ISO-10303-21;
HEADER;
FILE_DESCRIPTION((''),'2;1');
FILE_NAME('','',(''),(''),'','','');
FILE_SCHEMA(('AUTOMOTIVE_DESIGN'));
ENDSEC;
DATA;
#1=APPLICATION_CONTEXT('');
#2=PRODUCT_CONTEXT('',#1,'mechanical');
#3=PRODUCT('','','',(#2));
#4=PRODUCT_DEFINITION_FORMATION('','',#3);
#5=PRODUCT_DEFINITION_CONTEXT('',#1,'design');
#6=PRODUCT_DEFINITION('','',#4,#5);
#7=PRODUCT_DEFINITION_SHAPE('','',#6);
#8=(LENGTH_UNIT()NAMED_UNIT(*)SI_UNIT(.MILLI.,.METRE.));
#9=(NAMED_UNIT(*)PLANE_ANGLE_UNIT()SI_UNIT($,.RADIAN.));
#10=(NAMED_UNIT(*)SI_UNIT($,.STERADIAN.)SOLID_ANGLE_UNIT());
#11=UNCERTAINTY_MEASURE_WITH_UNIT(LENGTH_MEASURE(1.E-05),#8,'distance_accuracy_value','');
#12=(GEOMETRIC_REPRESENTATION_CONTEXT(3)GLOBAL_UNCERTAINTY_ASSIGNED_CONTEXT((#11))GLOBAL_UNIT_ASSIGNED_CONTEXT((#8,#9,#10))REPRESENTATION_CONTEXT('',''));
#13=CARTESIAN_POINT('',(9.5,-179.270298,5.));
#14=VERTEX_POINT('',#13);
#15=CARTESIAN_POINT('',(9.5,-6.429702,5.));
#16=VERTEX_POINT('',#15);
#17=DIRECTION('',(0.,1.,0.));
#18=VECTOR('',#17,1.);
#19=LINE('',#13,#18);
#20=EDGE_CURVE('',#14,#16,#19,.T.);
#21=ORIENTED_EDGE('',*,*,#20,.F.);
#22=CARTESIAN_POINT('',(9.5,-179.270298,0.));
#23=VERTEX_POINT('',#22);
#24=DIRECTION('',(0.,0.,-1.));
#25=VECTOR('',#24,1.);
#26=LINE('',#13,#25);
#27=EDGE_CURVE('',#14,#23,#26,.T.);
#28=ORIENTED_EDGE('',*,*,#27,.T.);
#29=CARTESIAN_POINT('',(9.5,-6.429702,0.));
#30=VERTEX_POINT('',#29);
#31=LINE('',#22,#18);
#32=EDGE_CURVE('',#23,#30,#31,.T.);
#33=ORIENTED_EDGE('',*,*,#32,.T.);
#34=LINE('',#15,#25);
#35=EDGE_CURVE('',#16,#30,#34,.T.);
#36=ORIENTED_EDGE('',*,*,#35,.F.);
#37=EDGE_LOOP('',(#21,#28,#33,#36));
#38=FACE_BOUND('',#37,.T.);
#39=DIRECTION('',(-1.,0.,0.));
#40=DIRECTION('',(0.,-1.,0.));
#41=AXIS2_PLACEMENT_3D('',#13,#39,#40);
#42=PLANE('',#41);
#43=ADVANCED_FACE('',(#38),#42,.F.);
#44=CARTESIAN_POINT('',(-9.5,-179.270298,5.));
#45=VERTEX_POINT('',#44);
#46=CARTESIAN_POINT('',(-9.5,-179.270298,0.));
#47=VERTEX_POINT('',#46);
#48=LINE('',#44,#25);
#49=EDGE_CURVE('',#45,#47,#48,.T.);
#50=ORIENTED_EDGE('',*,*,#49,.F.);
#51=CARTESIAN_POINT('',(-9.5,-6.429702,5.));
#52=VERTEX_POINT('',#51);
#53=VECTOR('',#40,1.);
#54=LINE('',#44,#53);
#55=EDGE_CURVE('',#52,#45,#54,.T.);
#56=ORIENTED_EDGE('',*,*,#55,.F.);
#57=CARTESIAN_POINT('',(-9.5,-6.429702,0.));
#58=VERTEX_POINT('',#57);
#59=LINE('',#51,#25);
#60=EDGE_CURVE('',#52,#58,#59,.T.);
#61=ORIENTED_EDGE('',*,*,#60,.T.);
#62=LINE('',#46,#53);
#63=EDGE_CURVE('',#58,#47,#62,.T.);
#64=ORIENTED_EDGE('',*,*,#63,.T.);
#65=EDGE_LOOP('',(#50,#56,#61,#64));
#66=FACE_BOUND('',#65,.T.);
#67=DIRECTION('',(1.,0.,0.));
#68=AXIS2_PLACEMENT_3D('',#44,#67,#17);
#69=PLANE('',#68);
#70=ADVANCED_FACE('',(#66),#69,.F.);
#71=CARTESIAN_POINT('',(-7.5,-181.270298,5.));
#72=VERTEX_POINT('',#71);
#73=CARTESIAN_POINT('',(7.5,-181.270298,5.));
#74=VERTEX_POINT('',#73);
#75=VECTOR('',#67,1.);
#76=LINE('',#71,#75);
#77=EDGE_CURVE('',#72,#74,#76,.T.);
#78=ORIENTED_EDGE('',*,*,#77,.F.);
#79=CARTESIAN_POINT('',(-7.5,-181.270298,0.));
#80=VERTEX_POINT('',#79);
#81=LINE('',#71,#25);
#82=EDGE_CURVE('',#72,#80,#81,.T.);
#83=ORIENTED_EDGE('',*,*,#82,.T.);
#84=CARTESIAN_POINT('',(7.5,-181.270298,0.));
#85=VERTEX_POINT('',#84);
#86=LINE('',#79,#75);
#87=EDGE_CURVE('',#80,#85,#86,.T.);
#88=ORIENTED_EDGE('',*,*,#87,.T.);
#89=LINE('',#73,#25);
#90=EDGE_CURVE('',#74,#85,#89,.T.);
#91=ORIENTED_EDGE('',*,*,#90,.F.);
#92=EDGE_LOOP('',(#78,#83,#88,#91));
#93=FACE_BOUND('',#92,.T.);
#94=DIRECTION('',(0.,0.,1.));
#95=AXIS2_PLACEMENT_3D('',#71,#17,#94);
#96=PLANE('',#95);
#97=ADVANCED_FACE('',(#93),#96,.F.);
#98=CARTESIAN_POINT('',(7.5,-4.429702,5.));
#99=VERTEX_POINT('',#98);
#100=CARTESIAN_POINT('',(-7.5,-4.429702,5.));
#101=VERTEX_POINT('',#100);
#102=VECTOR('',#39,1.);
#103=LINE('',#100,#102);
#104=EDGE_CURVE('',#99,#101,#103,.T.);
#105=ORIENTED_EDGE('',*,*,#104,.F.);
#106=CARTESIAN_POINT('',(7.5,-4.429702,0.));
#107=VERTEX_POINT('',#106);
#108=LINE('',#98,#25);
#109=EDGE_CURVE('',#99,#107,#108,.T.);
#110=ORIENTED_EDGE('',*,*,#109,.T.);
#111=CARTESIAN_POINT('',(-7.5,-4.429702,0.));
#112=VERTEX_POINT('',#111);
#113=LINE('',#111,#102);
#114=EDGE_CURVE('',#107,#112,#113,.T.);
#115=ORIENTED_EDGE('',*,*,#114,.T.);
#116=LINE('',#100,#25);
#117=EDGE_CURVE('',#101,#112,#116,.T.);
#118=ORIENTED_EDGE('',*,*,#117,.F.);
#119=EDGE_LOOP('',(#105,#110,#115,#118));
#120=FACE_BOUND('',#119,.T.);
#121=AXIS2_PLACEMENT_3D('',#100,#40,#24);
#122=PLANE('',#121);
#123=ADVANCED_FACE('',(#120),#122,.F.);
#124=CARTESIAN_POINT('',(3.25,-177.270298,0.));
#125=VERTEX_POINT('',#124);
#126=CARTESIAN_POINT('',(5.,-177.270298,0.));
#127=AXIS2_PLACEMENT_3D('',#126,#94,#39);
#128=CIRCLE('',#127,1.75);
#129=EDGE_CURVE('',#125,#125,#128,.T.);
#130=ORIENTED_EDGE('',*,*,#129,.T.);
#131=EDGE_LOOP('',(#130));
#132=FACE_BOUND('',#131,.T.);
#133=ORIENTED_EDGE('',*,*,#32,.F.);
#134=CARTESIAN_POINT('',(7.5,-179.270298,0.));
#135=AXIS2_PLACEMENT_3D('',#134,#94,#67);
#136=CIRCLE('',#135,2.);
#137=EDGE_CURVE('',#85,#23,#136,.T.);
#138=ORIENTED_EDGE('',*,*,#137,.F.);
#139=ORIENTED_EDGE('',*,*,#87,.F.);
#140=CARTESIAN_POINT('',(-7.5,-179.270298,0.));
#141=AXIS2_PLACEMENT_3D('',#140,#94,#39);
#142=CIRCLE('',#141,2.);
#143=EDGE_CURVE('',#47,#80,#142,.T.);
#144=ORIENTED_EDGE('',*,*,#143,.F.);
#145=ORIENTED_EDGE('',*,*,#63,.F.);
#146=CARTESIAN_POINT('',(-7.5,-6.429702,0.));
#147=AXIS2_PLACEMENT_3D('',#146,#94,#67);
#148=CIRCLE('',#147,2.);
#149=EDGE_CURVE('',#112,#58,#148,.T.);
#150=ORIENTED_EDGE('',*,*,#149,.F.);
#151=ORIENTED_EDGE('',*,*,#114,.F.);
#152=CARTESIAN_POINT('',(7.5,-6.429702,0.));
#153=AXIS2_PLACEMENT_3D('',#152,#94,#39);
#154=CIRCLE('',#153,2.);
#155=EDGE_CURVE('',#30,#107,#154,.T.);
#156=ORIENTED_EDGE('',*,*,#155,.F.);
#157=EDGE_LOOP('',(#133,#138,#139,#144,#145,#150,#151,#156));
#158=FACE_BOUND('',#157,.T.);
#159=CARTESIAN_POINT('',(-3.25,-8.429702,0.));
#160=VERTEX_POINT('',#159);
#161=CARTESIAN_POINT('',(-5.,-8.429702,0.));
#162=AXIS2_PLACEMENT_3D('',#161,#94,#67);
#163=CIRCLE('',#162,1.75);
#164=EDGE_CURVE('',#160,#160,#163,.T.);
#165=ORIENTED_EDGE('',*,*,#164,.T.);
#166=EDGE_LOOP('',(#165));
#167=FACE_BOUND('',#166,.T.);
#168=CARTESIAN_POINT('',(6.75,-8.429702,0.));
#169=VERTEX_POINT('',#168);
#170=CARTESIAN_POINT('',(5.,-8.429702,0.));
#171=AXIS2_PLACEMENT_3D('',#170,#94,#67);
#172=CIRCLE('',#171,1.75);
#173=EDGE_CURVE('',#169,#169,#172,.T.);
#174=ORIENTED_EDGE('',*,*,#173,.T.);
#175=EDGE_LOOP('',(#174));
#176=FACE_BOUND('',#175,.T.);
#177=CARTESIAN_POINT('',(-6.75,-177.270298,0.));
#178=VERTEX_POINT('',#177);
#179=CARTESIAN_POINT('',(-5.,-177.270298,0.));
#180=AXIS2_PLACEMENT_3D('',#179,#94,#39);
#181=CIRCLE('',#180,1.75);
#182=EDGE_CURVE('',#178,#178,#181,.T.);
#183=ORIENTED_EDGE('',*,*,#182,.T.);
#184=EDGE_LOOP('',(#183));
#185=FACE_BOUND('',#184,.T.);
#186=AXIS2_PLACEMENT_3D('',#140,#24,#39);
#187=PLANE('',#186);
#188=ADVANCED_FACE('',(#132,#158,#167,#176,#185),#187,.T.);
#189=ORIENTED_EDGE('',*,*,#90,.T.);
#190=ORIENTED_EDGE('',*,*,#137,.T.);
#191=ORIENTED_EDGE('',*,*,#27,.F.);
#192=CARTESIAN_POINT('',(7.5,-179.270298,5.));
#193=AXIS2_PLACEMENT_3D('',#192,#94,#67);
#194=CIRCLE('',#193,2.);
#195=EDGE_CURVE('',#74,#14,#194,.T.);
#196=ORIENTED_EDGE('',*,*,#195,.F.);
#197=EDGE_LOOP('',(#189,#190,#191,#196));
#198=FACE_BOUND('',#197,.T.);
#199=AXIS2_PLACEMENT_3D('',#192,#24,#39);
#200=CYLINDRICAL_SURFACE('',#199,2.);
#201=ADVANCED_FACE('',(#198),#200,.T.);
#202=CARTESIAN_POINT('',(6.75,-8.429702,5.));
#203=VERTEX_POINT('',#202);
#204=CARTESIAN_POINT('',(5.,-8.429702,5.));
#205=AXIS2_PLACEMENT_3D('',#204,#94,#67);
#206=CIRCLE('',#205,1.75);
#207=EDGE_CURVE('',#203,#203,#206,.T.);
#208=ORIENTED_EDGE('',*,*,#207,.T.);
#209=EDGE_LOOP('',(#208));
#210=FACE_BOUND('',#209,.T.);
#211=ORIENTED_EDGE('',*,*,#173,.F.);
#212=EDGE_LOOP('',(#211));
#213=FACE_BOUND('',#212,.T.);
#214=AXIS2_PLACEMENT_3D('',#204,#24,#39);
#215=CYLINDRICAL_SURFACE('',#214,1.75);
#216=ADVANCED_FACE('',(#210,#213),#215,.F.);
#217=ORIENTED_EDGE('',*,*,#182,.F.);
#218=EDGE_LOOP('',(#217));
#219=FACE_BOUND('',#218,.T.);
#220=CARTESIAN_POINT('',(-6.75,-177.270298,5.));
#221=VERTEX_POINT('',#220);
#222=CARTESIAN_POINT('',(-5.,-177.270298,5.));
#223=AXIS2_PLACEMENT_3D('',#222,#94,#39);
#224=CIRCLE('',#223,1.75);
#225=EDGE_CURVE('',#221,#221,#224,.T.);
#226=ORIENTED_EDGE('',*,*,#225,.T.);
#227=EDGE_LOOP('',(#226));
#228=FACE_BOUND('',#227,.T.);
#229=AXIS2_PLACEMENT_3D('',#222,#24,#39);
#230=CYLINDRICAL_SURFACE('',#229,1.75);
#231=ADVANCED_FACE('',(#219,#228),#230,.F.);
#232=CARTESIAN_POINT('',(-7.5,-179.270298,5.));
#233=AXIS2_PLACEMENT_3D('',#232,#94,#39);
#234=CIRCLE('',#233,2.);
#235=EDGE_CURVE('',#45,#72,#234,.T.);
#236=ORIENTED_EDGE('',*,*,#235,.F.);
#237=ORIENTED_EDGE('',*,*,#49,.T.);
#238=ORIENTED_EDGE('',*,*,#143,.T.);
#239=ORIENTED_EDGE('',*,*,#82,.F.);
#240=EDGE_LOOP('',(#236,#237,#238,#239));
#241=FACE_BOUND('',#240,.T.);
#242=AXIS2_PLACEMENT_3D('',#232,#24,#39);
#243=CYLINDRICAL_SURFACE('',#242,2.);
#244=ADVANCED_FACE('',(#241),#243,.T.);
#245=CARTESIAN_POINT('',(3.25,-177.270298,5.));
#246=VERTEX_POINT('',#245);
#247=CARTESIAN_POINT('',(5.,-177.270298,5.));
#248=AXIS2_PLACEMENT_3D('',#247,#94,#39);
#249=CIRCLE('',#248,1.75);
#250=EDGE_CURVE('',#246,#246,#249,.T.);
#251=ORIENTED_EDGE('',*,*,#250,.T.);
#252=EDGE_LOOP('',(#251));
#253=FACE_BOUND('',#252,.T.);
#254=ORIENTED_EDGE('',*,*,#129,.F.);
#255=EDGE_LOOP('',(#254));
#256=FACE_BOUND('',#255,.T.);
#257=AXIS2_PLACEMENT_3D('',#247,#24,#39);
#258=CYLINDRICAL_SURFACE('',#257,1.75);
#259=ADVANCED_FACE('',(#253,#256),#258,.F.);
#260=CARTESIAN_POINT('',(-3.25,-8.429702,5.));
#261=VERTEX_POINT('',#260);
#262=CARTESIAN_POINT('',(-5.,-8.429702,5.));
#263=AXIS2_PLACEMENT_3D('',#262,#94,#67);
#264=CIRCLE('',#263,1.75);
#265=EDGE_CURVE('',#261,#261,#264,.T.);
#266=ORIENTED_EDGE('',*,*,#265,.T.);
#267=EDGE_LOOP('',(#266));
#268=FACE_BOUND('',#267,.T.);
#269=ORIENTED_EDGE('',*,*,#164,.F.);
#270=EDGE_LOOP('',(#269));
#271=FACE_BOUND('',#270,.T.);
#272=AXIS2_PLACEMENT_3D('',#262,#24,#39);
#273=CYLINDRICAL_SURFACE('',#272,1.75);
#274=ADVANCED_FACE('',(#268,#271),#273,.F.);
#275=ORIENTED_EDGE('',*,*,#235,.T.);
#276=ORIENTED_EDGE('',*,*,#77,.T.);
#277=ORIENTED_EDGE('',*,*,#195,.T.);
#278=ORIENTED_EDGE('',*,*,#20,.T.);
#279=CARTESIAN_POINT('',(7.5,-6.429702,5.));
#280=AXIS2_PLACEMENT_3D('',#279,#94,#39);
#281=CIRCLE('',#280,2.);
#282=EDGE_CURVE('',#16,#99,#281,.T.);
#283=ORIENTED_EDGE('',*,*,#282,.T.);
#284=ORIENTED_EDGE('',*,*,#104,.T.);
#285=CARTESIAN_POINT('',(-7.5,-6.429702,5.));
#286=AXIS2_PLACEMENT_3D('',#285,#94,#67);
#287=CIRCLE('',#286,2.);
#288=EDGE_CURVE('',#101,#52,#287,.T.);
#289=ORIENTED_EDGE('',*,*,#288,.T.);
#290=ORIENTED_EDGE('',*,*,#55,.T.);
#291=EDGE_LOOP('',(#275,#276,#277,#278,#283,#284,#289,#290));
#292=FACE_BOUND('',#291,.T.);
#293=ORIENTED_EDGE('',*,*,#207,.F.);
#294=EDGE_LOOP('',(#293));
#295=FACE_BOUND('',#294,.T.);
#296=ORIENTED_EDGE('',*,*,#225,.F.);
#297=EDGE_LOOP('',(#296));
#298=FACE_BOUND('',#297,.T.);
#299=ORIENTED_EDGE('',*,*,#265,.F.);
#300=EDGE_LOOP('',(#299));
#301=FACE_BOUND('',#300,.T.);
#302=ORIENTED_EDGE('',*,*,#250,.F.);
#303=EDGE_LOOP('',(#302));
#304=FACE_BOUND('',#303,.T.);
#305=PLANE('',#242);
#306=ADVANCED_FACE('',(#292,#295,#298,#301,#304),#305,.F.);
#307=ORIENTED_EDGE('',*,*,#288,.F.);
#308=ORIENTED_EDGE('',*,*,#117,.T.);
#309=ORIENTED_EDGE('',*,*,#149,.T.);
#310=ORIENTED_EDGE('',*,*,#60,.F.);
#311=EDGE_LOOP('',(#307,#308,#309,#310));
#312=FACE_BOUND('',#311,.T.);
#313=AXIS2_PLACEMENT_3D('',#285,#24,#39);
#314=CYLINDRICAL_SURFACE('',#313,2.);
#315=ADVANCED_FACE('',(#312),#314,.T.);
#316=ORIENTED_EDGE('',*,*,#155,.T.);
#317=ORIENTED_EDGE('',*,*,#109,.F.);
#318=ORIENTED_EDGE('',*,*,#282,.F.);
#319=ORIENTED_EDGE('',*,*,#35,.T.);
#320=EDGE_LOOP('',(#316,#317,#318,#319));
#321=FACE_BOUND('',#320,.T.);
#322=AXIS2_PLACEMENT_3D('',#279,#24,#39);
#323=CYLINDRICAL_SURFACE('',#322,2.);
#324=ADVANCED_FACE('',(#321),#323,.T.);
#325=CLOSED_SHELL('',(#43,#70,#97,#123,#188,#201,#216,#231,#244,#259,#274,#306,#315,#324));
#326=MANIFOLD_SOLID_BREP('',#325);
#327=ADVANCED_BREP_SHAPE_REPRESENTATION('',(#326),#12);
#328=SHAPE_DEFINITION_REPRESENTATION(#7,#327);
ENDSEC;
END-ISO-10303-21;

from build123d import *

# Parameters (mm, degrees)
SKETCH1_R           = 1.75
BOSS_EXTRUDE1_DEPTH = 5


with BuildPart() as part:
    # Sketch1 → Boss-Extrude1 (new body)
    with BuildSketch(Plane.XY):
        with BuildLine():
            Line((-9.5, -179.270297721), (-9.5, -6.429702279))
            ThreePointArc((-9.5, -6.429702279), (-8.914213562, -5.015488716), (-7.5, -4.429702279))
            Line((-7.5, -4.429702279), (7.5, -4.429702279))
            ThreePointArc((7.5, -4.429702279), (8.914213562, -5.015488716), (9.5, -6.429702279))
            Line((9.5, -6.429702279), (9.5, -179.270297721))
            ThreePointArc((9.5, -179.270297721), (8.914213562, -180.684511284), (7.5, -181.270297721))
            Line((7.5, -181.270297721), (-7.5, -181.270297721))
            ThreePointArc((-7.5, -181.270297721), (-8.914213562, -180.684511284), (-9.5, -179.270297721))
        make_face()
        with Locations((5, -8.429702279)):
            Circle(SKETCH1_R, mode=Mode.SUBTRACT)
        with Locations((-5, -8.429702279)):
            Circle(SKETCH1_R, mode=Mode.SUBTRACT)
        with Locations(Location((-5, -177.270297721, 0), (0, 0, 180))):
            Circle(SKETCH1_R, mode=Mode.SUBTRACT)
        with Locations(Location((5, -177.270297721, 0), (0, 0, 180))):
            Circle(SKETCH1_R, mode=Mode.SUBTRACT)
    extrude(amount=BOSS_EXTRUDE1_DEPTH)


solid = part.part
